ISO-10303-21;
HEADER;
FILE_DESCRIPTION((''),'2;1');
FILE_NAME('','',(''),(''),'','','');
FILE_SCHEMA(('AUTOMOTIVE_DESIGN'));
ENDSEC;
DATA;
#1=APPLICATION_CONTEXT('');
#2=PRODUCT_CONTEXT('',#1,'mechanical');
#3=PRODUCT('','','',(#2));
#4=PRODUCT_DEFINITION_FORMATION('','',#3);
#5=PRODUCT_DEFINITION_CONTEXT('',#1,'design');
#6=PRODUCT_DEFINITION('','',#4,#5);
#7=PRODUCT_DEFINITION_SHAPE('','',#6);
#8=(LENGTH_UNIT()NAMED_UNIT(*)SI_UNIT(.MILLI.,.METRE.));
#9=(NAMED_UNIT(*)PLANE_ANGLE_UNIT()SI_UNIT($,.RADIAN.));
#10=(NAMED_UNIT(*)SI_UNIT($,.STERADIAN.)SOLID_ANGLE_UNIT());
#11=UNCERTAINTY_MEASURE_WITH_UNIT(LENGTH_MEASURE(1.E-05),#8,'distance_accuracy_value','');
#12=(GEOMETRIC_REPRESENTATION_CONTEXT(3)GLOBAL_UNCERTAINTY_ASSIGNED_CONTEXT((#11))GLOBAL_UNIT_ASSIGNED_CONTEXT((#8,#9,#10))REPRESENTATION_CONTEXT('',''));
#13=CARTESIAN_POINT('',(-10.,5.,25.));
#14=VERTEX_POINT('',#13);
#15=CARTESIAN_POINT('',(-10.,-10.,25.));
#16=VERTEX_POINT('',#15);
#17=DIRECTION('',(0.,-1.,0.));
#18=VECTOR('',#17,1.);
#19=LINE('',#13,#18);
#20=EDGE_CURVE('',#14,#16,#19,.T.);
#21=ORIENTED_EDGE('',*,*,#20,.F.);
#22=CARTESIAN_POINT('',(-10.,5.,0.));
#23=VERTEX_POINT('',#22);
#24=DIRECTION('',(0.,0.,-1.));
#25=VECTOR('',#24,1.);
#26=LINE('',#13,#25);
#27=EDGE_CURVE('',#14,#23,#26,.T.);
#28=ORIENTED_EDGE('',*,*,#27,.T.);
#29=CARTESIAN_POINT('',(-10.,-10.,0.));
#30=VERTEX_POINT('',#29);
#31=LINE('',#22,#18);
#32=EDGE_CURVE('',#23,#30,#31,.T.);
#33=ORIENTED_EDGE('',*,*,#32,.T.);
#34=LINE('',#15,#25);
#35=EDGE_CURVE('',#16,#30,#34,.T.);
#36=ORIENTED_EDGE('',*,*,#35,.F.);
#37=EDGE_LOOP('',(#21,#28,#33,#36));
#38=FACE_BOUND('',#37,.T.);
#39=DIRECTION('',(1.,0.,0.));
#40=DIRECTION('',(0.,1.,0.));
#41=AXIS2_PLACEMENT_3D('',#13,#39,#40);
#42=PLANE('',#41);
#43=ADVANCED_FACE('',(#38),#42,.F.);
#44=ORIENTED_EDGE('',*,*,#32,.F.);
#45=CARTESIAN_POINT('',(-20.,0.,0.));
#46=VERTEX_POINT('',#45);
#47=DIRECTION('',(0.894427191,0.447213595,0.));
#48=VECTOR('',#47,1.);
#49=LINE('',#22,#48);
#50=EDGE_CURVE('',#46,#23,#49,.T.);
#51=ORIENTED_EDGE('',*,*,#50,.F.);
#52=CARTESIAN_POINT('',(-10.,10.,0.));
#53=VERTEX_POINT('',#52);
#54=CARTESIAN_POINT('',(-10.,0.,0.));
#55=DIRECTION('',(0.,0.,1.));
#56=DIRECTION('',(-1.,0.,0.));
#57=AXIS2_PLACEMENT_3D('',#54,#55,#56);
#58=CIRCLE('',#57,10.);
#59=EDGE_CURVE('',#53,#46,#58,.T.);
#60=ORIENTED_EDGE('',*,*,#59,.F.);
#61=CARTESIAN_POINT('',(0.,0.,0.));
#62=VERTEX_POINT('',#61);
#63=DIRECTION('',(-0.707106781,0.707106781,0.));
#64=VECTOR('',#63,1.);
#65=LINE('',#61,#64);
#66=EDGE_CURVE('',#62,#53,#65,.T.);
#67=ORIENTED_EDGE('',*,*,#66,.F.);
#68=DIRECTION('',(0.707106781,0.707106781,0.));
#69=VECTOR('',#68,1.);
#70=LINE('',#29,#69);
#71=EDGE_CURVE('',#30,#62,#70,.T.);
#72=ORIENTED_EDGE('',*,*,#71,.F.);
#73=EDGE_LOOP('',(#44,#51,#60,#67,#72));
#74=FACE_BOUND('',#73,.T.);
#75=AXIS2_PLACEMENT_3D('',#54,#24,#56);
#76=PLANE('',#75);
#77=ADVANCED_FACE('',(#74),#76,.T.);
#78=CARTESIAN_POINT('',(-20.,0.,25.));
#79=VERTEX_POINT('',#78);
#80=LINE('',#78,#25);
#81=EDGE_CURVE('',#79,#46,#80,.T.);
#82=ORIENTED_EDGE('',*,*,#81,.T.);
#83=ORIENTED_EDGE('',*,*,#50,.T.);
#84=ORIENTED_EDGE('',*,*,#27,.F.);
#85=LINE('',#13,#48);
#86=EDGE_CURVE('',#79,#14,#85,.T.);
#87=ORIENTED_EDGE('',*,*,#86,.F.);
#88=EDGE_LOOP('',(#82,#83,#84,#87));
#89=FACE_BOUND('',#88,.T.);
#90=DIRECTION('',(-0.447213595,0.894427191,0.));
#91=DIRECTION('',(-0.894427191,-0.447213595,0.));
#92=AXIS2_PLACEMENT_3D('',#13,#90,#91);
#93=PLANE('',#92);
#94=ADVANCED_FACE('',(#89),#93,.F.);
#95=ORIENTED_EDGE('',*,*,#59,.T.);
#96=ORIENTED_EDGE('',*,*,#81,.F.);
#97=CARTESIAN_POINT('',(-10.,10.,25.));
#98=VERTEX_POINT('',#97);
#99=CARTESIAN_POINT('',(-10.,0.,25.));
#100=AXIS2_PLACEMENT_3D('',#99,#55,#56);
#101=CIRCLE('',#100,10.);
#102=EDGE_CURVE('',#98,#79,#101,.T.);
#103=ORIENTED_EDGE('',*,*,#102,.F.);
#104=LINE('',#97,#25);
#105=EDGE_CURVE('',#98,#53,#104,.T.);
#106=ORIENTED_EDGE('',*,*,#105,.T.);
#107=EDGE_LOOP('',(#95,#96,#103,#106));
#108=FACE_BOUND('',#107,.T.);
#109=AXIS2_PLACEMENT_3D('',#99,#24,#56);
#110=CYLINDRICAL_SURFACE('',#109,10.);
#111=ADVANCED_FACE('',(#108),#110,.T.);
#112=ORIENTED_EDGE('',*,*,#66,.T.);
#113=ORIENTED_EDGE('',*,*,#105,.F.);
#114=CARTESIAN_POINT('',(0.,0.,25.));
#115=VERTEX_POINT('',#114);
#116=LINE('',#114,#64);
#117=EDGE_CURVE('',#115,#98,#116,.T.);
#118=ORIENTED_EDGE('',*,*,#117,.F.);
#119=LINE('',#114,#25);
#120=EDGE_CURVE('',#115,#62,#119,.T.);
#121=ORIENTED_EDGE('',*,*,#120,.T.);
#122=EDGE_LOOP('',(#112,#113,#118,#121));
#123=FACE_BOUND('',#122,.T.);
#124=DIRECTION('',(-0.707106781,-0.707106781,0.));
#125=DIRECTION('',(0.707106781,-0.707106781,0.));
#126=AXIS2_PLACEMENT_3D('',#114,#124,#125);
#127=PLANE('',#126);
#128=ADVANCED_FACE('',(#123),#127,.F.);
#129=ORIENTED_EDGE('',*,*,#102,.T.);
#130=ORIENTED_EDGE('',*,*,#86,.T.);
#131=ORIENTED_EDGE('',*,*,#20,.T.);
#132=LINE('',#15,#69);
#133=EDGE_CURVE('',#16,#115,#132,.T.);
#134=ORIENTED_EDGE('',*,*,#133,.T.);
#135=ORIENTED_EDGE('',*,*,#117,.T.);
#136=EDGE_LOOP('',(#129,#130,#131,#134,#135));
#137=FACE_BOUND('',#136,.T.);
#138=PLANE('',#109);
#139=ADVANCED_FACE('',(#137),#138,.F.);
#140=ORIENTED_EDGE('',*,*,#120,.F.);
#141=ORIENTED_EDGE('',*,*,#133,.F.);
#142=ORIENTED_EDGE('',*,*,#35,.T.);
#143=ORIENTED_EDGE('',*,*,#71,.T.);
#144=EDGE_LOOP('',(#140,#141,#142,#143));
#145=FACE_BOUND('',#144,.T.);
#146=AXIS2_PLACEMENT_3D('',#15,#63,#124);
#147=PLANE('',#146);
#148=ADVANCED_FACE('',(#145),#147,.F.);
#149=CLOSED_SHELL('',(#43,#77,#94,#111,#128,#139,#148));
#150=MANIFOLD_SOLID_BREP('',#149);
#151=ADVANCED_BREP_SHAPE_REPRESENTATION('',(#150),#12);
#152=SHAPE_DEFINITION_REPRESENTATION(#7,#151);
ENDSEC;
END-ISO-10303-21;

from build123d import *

# Parameters (mm, degrees)
BOSS_EXTRUDE1_DEPTH = 25


with BuildPart() as part:
    # Sketch1 → Boss-Extrude1 (new body)
    with BuildSketch(Plane.XY):
        with BuildLine():
            Line((-10, 5), (-10, -10))
            Line((-10, -10), (0, 0))
            Line((0, 0), (-10, 10))
            ThreePointArc((-10, 10), (-17.071067812, 7.071067812), (-20, 0))
            Line((-20, 0), (-10, 5))
        make_face()
    extrude(amount=BOSS_EXTRUDE1_DEPTH)


solid = part.part
